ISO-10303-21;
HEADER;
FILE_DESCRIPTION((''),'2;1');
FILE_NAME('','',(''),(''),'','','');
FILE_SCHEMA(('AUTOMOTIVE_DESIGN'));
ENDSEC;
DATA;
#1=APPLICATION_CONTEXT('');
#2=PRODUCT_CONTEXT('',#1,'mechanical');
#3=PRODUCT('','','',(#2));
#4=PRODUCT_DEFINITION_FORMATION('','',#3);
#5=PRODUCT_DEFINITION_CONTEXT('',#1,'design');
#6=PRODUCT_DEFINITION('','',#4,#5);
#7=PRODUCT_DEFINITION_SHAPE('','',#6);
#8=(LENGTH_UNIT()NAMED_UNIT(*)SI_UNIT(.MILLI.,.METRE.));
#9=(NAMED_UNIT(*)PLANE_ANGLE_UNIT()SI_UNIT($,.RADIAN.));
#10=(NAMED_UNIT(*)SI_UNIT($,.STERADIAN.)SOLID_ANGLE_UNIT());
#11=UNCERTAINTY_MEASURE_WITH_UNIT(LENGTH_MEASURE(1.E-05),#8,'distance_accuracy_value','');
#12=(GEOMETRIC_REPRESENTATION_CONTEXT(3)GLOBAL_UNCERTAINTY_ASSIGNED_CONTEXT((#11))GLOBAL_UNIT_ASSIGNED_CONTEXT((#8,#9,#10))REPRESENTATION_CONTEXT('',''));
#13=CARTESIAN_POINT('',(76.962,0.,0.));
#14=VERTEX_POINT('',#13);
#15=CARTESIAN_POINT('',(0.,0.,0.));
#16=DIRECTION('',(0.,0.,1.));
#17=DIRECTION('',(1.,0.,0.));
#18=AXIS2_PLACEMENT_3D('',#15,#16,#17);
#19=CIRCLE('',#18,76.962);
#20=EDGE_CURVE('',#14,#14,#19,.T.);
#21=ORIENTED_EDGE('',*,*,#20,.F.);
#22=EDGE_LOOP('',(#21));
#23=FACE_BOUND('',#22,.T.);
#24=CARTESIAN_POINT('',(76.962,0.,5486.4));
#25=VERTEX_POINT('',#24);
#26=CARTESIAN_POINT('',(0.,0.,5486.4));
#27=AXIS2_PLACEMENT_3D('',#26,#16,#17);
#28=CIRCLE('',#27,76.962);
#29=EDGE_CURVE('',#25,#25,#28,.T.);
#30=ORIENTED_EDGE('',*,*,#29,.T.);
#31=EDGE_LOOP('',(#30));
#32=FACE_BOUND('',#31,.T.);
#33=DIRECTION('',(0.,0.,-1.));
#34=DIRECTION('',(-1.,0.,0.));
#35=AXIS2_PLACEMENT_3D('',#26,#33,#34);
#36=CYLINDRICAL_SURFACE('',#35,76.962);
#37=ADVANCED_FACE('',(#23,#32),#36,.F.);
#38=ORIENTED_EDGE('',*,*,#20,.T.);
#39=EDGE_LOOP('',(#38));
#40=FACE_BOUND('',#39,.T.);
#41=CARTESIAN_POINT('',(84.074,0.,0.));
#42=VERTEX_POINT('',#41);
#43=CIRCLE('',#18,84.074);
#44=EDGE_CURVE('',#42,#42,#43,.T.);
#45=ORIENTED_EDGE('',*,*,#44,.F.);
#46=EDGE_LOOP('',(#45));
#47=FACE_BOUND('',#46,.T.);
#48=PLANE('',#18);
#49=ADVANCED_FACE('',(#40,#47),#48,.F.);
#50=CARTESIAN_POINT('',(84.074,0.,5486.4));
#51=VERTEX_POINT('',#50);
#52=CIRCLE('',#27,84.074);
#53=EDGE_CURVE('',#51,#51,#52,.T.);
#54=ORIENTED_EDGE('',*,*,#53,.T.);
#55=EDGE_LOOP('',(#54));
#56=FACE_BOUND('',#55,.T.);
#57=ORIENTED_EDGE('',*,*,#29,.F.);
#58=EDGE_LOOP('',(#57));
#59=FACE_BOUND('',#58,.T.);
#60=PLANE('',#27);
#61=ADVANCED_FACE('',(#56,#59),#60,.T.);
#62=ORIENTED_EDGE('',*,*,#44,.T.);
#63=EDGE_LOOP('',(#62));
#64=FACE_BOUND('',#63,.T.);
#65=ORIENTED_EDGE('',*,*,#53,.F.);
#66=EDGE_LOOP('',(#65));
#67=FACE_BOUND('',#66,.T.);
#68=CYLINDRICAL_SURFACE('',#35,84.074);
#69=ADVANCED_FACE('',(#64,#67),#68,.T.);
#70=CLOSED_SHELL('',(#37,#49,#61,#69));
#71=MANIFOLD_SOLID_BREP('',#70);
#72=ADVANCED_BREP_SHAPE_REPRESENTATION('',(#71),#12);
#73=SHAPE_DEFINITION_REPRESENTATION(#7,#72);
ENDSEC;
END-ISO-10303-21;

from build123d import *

# Parameters (mm, degrees)
PIPESKETCH_R    = 84.074
PIPESKETCH_R_2  = 76.962
EXTRUSION_DEPTH = 5486.4


with BuildPart() as part:
    # PipeSketch → Extrusion (new body)
    with BuildSketch(Plane.XY):
        Circle(PIPESKETCH_R)
        Circle(PIPESKETCH_R_2, mode=Mode.SUBTRACT)
    extrude(amount=EXTRUSION_DEPTH)


solid = part.part
